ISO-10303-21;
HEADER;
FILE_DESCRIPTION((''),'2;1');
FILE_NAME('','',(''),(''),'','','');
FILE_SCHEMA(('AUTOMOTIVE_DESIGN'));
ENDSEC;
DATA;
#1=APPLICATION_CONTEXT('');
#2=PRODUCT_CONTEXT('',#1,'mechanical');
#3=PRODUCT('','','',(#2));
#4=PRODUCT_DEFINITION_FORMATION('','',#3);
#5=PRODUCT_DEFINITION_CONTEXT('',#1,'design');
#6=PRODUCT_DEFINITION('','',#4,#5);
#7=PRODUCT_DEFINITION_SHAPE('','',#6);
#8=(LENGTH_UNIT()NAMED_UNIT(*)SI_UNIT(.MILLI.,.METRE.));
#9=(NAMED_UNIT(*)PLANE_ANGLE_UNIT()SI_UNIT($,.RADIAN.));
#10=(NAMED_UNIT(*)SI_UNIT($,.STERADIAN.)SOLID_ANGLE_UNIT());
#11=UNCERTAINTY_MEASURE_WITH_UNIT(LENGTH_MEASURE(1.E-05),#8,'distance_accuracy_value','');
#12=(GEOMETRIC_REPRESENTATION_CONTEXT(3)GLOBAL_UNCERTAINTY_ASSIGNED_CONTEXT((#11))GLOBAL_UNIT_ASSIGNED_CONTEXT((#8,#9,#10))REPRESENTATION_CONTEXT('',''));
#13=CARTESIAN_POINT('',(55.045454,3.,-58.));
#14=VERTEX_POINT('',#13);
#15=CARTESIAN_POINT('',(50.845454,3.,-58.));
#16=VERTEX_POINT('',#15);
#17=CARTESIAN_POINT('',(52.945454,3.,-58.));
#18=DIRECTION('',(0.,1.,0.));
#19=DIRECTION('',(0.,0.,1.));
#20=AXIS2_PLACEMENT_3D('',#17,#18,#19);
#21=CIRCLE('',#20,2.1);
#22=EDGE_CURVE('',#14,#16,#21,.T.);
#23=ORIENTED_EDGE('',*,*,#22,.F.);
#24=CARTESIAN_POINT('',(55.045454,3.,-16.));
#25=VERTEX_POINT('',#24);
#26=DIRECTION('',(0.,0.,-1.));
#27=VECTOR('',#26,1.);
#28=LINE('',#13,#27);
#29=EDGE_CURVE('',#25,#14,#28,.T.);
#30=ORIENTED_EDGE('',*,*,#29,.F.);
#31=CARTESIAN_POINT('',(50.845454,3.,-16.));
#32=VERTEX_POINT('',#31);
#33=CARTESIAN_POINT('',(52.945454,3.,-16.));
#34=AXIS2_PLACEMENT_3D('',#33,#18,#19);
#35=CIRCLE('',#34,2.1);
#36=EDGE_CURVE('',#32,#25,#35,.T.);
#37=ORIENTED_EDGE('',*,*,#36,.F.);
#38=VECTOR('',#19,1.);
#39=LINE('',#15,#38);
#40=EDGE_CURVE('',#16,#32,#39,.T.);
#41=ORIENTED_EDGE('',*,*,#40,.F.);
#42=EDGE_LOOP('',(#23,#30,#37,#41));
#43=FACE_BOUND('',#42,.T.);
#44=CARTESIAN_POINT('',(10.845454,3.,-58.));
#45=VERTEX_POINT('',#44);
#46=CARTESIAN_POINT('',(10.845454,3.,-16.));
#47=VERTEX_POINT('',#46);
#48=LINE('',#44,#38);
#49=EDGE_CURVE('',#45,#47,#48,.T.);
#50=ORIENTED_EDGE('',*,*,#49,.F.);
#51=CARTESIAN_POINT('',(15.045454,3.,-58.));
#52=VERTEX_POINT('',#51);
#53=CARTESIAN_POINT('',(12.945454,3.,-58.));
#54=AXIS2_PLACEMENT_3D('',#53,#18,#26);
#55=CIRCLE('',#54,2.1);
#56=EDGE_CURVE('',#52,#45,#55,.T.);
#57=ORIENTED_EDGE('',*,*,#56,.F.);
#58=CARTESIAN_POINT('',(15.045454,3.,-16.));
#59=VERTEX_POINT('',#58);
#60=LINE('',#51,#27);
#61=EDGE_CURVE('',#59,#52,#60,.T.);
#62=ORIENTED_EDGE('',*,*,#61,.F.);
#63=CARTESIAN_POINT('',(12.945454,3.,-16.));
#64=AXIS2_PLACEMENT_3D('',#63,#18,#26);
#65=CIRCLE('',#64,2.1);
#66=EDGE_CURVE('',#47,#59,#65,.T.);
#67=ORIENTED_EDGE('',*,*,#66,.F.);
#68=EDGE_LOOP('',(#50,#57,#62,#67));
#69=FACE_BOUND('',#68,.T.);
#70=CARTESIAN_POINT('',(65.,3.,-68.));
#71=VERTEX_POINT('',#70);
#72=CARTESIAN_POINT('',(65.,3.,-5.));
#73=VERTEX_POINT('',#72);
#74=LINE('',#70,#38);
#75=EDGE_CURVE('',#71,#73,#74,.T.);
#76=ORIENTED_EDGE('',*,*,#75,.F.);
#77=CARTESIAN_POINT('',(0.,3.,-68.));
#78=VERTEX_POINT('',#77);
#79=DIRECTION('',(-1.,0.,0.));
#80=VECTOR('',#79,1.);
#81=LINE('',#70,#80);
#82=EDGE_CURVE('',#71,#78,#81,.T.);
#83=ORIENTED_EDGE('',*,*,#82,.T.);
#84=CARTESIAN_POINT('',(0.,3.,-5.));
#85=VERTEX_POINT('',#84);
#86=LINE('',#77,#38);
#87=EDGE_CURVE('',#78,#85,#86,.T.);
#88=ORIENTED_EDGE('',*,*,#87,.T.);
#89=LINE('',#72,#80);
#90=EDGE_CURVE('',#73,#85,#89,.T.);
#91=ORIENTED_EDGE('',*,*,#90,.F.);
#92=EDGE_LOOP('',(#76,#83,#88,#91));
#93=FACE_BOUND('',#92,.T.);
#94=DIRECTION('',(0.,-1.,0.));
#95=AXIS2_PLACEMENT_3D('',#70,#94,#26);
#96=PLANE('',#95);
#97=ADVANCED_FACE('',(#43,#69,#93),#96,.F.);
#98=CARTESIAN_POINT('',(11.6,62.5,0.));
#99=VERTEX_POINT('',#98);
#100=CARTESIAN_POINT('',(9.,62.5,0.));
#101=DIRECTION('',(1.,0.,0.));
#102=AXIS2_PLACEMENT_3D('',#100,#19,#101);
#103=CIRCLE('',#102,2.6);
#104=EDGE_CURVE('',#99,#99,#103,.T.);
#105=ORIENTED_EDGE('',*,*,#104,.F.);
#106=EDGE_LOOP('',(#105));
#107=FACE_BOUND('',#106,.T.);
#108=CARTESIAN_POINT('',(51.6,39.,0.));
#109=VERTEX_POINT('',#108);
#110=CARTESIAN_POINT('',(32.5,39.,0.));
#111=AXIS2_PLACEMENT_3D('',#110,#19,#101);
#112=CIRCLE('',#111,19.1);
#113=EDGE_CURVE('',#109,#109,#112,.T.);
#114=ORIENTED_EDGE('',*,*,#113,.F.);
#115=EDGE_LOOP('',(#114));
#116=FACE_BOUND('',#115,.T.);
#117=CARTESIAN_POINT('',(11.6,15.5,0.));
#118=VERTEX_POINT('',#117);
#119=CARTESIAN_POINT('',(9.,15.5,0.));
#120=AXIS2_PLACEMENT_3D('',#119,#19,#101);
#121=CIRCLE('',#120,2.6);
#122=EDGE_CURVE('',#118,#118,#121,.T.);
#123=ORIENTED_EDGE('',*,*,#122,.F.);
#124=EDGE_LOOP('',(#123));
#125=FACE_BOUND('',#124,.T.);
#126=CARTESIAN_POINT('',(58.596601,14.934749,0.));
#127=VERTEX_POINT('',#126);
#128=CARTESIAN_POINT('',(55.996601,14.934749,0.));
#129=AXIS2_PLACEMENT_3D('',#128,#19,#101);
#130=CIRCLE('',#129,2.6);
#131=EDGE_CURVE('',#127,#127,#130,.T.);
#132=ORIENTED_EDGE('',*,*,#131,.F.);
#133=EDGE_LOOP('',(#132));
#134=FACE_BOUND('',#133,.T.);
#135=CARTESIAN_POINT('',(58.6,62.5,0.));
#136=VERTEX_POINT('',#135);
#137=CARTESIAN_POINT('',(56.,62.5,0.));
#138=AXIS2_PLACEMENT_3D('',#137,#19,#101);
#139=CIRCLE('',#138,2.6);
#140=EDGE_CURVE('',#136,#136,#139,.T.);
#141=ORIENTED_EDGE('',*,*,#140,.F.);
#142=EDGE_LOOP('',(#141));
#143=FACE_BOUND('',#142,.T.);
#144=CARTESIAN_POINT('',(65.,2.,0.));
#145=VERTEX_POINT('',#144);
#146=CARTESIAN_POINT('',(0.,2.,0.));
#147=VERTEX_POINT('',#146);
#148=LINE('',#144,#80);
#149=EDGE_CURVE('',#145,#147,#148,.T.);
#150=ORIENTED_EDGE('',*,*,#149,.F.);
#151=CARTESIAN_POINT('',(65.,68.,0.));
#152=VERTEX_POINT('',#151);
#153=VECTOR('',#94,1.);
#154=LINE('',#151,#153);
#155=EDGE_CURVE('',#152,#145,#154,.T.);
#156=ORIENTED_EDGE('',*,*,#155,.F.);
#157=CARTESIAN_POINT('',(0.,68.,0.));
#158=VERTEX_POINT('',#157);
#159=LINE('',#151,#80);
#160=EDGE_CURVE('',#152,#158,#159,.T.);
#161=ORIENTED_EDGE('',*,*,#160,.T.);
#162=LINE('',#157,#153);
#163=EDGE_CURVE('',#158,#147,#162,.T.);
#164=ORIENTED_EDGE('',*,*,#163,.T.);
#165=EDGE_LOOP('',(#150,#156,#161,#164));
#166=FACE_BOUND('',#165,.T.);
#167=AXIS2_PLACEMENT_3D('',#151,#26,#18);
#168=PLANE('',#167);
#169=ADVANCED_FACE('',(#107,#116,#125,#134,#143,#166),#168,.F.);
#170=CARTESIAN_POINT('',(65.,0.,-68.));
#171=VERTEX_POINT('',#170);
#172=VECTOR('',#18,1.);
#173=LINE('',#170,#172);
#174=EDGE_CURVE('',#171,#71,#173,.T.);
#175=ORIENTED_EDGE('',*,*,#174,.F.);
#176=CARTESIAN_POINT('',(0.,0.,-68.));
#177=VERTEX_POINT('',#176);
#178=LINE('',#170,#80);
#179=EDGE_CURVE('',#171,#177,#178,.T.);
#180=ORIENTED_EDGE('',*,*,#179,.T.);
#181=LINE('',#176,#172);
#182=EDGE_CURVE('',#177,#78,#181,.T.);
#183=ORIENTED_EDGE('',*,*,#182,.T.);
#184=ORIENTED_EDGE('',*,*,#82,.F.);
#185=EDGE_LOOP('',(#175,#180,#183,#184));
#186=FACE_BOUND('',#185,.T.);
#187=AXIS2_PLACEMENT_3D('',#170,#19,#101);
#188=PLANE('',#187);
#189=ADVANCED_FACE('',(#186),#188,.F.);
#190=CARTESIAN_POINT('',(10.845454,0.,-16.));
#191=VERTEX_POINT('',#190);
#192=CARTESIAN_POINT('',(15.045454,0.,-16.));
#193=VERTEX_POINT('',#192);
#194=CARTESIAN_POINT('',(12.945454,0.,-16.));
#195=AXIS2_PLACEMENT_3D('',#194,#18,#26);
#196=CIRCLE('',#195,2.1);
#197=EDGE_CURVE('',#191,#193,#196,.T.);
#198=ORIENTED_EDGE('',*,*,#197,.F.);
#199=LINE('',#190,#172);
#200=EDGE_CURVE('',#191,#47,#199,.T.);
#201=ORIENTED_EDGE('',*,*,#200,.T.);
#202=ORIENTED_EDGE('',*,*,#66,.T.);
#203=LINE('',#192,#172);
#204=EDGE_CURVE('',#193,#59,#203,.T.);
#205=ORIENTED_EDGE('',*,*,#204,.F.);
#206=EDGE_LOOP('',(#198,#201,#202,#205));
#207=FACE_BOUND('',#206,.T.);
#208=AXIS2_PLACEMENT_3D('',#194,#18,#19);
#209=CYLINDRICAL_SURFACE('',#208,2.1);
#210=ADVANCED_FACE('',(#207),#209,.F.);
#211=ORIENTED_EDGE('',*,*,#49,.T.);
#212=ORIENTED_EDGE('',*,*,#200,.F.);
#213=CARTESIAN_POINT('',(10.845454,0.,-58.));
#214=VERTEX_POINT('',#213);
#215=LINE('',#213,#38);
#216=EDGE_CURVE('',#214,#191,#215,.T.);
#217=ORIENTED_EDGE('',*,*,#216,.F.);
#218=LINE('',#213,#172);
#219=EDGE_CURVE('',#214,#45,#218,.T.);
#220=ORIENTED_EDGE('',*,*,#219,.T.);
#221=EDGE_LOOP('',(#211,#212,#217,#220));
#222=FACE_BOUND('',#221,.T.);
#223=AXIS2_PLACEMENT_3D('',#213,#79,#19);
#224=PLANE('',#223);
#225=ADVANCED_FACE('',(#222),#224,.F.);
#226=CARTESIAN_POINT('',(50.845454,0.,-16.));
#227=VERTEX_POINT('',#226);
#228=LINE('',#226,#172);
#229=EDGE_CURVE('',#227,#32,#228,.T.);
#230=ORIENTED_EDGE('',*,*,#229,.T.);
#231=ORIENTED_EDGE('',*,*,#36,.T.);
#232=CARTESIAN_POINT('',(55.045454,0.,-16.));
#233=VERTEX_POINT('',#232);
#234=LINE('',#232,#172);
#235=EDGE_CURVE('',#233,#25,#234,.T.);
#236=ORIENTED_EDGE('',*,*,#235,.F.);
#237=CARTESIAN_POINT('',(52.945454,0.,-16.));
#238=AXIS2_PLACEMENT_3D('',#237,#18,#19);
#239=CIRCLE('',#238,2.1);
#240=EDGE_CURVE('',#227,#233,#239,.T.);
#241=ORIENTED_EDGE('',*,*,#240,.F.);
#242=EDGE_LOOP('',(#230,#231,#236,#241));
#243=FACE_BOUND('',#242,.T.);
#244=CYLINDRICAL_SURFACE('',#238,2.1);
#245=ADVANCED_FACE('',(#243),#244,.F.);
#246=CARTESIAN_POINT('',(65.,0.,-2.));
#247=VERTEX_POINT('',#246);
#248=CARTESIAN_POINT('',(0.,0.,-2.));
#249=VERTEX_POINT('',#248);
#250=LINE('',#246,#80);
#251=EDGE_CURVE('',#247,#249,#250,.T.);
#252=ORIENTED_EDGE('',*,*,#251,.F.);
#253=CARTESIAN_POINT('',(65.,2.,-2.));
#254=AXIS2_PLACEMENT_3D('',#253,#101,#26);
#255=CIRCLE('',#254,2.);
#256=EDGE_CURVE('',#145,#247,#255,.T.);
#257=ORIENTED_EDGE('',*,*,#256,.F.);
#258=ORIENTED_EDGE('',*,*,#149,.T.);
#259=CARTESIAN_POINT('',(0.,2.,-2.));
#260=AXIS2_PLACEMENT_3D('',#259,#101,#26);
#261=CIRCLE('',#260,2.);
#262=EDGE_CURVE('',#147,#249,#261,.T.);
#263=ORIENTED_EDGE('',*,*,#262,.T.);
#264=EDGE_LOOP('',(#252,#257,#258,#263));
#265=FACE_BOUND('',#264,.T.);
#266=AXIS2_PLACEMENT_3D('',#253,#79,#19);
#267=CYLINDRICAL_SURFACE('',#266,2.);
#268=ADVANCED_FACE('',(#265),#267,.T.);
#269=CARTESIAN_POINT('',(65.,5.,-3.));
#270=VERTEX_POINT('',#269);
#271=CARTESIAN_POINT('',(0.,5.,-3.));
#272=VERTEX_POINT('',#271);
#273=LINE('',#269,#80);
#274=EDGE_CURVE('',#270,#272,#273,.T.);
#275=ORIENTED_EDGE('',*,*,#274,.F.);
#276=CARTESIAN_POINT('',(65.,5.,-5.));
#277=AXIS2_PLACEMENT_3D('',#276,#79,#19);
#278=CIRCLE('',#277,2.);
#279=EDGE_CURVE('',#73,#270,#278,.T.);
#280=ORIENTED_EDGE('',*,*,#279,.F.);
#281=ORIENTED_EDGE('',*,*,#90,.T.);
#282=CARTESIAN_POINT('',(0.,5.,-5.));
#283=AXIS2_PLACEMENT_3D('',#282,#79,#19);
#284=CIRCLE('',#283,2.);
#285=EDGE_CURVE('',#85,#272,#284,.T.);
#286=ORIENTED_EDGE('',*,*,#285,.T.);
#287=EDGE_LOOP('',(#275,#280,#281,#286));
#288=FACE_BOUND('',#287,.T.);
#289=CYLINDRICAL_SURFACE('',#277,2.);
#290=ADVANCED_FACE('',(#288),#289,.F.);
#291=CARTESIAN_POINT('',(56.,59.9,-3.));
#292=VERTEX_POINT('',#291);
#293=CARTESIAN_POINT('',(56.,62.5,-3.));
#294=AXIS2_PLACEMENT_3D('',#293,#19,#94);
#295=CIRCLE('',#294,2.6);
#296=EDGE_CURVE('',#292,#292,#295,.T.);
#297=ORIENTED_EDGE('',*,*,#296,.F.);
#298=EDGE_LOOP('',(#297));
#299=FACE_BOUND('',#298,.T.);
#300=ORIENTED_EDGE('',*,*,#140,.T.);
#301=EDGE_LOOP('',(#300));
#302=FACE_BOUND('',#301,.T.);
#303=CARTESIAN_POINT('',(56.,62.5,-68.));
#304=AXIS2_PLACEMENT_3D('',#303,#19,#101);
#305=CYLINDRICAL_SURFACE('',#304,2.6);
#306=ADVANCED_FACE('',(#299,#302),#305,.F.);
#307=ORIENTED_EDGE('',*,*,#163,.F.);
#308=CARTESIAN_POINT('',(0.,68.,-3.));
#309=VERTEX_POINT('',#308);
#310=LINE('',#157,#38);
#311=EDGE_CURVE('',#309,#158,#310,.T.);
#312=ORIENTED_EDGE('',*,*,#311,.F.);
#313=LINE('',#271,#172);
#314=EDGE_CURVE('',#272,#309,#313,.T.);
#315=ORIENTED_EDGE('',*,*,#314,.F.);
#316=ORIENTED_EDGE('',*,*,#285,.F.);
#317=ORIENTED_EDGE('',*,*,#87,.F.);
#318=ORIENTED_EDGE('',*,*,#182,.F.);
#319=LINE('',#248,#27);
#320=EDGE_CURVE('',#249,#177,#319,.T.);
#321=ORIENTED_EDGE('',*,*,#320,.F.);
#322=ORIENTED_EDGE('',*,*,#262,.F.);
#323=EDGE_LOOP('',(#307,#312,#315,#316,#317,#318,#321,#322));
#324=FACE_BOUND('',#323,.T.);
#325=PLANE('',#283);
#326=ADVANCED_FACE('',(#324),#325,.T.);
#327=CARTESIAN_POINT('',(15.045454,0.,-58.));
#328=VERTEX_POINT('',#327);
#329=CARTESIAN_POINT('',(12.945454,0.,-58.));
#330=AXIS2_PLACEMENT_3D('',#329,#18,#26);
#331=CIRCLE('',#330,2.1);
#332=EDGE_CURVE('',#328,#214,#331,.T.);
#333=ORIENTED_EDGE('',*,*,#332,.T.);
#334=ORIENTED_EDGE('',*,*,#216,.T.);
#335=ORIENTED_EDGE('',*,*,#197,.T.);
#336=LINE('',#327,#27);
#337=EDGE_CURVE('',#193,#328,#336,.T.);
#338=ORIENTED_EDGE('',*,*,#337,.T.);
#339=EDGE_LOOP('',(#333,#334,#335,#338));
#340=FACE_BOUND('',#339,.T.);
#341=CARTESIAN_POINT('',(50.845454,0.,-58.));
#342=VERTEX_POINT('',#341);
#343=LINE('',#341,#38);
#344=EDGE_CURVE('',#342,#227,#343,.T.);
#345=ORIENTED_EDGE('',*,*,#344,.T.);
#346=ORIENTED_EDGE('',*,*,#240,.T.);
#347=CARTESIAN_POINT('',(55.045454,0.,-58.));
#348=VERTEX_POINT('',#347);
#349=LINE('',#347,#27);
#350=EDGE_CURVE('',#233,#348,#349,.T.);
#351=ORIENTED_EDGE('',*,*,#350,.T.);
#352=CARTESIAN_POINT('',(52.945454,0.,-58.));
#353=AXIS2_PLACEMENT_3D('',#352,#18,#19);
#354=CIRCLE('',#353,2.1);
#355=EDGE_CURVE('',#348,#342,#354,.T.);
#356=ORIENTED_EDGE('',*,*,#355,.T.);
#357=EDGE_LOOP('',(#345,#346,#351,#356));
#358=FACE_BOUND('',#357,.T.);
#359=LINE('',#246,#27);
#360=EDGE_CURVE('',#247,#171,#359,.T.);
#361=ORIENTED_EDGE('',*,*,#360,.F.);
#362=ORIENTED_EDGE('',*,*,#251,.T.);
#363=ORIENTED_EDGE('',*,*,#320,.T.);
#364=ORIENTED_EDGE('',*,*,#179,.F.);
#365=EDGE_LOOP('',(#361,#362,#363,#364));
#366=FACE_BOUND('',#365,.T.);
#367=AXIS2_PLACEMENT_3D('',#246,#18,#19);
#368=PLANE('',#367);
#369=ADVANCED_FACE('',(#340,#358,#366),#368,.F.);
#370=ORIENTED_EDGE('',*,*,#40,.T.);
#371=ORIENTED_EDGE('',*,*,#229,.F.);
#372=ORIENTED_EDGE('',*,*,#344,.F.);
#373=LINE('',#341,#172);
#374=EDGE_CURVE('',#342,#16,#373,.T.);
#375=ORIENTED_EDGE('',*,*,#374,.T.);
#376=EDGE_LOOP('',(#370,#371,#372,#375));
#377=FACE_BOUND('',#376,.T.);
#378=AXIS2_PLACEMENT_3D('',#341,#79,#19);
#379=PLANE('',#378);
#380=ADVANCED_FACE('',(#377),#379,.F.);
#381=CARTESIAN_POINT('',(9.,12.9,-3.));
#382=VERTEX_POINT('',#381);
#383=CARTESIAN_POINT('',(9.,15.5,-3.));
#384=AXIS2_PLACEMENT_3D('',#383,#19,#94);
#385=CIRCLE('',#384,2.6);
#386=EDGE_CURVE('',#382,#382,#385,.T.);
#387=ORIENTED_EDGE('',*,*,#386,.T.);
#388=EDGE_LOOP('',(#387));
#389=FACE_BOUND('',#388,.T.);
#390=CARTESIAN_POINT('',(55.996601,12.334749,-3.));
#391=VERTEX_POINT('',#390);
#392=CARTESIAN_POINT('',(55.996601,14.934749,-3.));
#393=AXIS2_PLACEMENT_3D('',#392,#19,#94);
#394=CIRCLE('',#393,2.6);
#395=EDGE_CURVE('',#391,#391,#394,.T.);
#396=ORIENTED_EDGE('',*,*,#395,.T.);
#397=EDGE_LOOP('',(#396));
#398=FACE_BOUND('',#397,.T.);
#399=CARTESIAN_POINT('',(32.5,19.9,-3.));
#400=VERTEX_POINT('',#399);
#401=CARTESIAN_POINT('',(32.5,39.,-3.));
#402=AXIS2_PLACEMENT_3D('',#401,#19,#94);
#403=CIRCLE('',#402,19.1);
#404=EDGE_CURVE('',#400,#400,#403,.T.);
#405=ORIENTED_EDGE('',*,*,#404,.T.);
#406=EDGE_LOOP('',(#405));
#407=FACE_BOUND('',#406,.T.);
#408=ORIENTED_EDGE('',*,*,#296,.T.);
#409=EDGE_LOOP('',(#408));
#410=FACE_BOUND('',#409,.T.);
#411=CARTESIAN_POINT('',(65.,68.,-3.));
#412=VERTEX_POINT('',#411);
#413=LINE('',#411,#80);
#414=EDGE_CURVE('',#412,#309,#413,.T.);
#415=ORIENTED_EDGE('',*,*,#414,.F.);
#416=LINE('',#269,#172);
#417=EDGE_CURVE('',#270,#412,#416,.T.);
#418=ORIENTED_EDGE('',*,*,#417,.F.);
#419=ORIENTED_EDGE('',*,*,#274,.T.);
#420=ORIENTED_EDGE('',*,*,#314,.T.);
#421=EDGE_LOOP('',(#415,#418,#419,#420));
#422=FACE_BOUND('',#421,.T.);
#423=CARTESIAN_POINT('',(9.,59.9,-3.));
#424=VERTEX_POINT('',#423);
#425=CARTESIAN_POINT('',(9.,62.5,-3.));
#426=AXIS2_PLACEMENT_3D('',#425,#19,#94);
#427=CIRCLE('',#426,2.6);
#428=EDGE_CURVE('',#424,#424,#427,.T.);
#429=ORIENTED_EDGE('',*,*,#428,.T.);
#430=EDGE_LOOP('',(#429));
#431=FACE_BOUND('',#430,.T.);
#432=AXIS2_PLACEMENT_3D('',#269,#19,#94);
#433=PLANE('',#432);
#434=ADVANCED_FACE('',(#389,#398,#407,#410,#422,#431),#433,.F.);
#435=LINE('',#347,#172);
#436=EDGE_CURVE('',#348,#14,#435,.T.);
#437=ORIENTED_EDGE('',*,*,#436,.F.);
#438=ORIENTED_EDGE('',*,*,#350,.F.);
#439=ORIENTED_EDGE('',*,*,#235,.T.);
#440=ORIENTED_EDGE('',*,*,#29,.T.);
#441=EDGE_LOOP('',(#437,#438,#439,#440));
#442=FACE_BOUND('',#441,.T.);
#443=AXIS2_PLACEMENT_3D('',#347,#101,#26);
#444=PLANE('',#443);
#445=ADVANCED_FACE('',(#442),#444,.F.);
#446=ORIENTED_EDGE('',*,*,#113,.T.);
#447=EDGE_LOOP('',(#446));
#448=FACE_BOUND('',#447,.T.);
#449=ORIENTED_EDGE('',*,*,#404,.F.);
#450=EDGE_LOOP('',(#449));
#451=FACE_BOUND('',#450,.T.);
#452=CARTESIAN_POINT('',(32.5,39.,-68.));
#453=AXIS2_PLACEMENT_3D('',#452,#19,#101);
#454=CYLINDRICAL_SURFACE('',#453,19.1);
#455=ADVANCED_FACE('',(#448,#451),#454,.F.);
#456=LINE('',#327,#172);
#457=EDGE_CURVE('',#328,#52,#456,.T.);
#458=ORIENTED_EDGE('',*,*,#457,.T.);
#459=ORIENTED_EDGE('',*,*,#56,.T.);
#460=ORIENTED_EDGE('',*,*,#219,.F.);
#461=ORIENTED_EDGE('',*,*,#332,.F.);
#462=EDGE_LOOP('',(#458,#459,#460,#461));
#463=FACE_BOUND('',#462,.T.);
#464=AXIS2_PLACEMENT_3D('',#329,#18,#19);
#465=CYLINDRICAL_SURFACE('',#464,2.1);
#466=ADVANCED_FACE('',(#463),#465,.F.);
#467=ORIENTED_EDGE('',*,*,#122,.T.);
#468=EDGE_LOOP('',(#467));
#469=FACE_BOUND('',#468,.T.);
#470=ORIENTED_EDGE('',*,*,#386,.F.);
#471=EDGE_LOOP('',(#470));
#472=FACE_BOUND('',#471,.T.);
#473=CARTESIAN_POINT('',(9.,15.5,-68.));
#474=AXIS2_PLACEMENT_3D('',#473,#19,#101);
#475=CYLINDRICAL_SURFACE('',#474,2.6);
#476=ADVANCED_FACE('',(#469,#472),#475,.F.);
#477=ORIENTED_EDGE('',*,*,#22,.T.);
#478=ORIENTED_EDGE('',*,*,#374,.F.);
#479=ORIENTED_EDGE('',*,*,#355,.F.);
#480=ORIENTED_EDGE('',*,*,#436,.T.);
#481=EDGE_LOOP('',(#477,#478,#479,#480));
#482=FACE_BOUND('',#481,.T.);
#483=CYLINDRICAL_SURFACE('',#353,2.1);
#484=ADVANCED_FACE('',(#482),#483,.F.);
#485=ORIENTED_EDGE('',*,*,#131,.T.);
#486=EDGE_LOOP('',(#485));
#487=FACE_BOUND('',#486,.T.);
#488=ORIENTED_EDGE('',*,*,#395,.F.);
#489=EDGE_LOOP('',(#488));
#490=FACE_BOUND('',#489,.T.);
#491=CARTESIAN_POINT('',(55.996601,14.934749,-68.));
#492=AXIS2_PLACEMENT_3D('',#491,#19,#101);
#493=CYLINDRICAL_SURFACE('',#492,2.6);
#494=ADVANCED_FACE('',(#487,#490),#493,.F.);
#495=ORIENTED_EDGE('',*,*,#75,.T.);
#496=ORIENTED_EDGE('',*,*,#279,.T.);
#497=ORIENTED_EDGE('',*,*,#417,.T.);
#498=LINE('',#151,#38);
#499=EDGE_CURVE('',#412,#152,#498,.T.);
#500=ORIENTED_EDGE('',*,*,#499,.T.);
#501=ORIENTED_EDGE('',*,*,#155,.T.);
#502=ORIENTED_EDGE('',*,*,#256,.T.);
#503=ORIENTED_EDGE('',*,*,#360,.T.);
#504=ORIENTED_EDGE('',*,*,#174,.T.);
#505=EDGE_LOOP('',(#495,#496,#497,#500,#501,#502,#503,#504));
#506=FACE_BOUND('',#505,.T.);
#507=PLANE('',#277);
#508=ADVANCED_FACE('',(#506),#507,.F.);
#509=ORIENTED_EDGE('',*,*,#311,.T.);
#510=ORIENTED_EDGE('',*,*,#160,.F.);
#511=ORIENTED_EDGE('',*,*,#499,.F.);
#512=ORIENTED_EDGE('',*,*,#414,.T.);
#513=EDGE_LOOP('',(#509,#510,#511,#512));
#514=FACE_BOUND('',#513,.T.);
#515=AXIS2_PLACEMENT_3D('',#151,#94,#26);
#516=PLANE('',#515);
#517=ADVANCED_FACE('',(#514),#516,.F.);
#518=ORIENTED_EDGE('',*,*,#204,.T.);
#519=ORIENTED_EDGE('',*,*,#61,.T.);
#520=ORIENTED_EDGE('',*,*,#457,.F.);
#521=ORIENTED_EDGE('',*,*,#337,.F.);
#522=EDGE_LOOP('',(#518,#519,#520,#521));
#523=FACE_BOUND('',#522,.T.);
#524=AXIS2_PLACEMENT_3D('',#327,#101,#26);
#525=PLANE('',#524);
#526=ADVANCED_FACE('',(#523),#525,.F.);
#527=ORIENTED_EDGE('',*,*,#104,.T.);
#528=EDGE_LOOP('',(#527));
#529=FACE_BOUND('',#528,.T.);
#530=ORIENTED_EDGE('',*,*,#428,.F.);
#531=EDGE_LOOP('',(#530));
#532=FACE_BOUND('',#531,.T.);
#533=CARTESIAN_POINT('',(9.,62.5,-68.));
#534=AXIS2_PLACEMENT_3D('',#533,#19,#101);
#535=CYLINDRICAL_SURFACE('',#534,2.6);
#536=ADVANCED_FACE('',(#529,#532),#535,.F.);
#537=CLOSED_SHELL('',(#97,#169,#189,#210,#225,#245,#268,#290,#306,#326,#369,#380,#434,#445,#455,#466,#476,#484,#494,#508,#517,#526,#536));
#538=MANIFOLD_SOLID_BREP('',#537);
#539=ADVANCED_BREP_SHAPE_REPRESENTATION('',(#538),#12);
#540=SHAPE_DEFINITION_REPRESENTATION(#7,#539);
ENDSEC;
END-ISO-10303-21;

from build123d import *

# Parameters (mm, degrees)
EXTRUDE_1_DEPTH     = 65
CUT_EXTRUDE_1_DEPTH = 115.341593482
SKETCH_3_R          = 19.1
SKETCH_3_R_2        = 2.6
CUT_EXTRUDE_2_DEPTH = 117.073252733


with BuildPart() as part:
    # Эскиз1 → Бобышка-Вытянуть1 (new body)
    with BuildSketch(Plane(origin=(0, 0, 0), x_dir=(0, 0, -1), z_dir=(1, 0, 0))):
        with BuildLine():
            Line((0, 68), (0, 2))
            ThreePointArc((0, 2), (0.585786438, 0.585786438), (2, 0))
            Line((2, 0), (68, 0))
            Line((68, 0), (68, 3))
            Line((68, 3), (5, 3))
            ThreePointArc((5, 3), (3.585786438, 3.585786438), (3, 5))
            Line((3, 5), (3, 68))
            Line((3, 68), (0, 68))
        make_face()
    extrude(amount=EXTRUDE_1_DEPTH)

    # Эскиз2 → Вырез-Вытянуть1 (cut, through all)
    with BuildSketch(Plane(origin=(0, 3, 0), x_dir=(1, 0, 0), z_dir=(0, 1, 0))):
        with BuildLine():
            Line((55.045453811, 58), (55.045453811, 16))
            ThreePointArc((55.045453811, 16), (52.945453811, 13.9), (50.845453811, 16))
            Line((50.845453811, 16), (50.845453811, 58))
            ThreePointArc((50.845453811, 58), (52.945453811, 60.1), (55.045453811, 58))
        make_face()
        with BuildLine():
            Line((10.845453811, 58), (10.845453811, 16))
            ThreePointArc((10.845453811, 16), (12.945453811, 13.9), (15.045453811, 16))
            Line((15.045453811, 16), (15.045453811, 58))
            ThreePointArc((15.045453811, 58), (12.945453811, 60.1), (10.845453811, 58))
        make_face()
    extrude(amount=-CUT_EXTRUDE_1_DEPTH, mode=Mode.SUBTRACT)

    # Эскиз3 → Вырез-Вытянуть2 (cut, through all)
    with BuildSketch(Plane.XY):
        with Locations((32.5, 39)):
            Circle(SKETCH_3_R)
        with Locations((9, 62.5)):
            Circle(SKETCH_3_R_2)
        with Locations((56, 62.5)):
            Circle(SKETCH_3_R_2)
        with Locations((55.996600846, 14.934748787)):
            Circle(SKETCH_3_R_2)
        with Locations((9, 15.5)):
            Circle(SKETCH_3_R_2)
    extrude(amount=-CUT_EXTRUDE_2_DEPTH, mode=Mode.SUBTRACT)


solid = part.part
